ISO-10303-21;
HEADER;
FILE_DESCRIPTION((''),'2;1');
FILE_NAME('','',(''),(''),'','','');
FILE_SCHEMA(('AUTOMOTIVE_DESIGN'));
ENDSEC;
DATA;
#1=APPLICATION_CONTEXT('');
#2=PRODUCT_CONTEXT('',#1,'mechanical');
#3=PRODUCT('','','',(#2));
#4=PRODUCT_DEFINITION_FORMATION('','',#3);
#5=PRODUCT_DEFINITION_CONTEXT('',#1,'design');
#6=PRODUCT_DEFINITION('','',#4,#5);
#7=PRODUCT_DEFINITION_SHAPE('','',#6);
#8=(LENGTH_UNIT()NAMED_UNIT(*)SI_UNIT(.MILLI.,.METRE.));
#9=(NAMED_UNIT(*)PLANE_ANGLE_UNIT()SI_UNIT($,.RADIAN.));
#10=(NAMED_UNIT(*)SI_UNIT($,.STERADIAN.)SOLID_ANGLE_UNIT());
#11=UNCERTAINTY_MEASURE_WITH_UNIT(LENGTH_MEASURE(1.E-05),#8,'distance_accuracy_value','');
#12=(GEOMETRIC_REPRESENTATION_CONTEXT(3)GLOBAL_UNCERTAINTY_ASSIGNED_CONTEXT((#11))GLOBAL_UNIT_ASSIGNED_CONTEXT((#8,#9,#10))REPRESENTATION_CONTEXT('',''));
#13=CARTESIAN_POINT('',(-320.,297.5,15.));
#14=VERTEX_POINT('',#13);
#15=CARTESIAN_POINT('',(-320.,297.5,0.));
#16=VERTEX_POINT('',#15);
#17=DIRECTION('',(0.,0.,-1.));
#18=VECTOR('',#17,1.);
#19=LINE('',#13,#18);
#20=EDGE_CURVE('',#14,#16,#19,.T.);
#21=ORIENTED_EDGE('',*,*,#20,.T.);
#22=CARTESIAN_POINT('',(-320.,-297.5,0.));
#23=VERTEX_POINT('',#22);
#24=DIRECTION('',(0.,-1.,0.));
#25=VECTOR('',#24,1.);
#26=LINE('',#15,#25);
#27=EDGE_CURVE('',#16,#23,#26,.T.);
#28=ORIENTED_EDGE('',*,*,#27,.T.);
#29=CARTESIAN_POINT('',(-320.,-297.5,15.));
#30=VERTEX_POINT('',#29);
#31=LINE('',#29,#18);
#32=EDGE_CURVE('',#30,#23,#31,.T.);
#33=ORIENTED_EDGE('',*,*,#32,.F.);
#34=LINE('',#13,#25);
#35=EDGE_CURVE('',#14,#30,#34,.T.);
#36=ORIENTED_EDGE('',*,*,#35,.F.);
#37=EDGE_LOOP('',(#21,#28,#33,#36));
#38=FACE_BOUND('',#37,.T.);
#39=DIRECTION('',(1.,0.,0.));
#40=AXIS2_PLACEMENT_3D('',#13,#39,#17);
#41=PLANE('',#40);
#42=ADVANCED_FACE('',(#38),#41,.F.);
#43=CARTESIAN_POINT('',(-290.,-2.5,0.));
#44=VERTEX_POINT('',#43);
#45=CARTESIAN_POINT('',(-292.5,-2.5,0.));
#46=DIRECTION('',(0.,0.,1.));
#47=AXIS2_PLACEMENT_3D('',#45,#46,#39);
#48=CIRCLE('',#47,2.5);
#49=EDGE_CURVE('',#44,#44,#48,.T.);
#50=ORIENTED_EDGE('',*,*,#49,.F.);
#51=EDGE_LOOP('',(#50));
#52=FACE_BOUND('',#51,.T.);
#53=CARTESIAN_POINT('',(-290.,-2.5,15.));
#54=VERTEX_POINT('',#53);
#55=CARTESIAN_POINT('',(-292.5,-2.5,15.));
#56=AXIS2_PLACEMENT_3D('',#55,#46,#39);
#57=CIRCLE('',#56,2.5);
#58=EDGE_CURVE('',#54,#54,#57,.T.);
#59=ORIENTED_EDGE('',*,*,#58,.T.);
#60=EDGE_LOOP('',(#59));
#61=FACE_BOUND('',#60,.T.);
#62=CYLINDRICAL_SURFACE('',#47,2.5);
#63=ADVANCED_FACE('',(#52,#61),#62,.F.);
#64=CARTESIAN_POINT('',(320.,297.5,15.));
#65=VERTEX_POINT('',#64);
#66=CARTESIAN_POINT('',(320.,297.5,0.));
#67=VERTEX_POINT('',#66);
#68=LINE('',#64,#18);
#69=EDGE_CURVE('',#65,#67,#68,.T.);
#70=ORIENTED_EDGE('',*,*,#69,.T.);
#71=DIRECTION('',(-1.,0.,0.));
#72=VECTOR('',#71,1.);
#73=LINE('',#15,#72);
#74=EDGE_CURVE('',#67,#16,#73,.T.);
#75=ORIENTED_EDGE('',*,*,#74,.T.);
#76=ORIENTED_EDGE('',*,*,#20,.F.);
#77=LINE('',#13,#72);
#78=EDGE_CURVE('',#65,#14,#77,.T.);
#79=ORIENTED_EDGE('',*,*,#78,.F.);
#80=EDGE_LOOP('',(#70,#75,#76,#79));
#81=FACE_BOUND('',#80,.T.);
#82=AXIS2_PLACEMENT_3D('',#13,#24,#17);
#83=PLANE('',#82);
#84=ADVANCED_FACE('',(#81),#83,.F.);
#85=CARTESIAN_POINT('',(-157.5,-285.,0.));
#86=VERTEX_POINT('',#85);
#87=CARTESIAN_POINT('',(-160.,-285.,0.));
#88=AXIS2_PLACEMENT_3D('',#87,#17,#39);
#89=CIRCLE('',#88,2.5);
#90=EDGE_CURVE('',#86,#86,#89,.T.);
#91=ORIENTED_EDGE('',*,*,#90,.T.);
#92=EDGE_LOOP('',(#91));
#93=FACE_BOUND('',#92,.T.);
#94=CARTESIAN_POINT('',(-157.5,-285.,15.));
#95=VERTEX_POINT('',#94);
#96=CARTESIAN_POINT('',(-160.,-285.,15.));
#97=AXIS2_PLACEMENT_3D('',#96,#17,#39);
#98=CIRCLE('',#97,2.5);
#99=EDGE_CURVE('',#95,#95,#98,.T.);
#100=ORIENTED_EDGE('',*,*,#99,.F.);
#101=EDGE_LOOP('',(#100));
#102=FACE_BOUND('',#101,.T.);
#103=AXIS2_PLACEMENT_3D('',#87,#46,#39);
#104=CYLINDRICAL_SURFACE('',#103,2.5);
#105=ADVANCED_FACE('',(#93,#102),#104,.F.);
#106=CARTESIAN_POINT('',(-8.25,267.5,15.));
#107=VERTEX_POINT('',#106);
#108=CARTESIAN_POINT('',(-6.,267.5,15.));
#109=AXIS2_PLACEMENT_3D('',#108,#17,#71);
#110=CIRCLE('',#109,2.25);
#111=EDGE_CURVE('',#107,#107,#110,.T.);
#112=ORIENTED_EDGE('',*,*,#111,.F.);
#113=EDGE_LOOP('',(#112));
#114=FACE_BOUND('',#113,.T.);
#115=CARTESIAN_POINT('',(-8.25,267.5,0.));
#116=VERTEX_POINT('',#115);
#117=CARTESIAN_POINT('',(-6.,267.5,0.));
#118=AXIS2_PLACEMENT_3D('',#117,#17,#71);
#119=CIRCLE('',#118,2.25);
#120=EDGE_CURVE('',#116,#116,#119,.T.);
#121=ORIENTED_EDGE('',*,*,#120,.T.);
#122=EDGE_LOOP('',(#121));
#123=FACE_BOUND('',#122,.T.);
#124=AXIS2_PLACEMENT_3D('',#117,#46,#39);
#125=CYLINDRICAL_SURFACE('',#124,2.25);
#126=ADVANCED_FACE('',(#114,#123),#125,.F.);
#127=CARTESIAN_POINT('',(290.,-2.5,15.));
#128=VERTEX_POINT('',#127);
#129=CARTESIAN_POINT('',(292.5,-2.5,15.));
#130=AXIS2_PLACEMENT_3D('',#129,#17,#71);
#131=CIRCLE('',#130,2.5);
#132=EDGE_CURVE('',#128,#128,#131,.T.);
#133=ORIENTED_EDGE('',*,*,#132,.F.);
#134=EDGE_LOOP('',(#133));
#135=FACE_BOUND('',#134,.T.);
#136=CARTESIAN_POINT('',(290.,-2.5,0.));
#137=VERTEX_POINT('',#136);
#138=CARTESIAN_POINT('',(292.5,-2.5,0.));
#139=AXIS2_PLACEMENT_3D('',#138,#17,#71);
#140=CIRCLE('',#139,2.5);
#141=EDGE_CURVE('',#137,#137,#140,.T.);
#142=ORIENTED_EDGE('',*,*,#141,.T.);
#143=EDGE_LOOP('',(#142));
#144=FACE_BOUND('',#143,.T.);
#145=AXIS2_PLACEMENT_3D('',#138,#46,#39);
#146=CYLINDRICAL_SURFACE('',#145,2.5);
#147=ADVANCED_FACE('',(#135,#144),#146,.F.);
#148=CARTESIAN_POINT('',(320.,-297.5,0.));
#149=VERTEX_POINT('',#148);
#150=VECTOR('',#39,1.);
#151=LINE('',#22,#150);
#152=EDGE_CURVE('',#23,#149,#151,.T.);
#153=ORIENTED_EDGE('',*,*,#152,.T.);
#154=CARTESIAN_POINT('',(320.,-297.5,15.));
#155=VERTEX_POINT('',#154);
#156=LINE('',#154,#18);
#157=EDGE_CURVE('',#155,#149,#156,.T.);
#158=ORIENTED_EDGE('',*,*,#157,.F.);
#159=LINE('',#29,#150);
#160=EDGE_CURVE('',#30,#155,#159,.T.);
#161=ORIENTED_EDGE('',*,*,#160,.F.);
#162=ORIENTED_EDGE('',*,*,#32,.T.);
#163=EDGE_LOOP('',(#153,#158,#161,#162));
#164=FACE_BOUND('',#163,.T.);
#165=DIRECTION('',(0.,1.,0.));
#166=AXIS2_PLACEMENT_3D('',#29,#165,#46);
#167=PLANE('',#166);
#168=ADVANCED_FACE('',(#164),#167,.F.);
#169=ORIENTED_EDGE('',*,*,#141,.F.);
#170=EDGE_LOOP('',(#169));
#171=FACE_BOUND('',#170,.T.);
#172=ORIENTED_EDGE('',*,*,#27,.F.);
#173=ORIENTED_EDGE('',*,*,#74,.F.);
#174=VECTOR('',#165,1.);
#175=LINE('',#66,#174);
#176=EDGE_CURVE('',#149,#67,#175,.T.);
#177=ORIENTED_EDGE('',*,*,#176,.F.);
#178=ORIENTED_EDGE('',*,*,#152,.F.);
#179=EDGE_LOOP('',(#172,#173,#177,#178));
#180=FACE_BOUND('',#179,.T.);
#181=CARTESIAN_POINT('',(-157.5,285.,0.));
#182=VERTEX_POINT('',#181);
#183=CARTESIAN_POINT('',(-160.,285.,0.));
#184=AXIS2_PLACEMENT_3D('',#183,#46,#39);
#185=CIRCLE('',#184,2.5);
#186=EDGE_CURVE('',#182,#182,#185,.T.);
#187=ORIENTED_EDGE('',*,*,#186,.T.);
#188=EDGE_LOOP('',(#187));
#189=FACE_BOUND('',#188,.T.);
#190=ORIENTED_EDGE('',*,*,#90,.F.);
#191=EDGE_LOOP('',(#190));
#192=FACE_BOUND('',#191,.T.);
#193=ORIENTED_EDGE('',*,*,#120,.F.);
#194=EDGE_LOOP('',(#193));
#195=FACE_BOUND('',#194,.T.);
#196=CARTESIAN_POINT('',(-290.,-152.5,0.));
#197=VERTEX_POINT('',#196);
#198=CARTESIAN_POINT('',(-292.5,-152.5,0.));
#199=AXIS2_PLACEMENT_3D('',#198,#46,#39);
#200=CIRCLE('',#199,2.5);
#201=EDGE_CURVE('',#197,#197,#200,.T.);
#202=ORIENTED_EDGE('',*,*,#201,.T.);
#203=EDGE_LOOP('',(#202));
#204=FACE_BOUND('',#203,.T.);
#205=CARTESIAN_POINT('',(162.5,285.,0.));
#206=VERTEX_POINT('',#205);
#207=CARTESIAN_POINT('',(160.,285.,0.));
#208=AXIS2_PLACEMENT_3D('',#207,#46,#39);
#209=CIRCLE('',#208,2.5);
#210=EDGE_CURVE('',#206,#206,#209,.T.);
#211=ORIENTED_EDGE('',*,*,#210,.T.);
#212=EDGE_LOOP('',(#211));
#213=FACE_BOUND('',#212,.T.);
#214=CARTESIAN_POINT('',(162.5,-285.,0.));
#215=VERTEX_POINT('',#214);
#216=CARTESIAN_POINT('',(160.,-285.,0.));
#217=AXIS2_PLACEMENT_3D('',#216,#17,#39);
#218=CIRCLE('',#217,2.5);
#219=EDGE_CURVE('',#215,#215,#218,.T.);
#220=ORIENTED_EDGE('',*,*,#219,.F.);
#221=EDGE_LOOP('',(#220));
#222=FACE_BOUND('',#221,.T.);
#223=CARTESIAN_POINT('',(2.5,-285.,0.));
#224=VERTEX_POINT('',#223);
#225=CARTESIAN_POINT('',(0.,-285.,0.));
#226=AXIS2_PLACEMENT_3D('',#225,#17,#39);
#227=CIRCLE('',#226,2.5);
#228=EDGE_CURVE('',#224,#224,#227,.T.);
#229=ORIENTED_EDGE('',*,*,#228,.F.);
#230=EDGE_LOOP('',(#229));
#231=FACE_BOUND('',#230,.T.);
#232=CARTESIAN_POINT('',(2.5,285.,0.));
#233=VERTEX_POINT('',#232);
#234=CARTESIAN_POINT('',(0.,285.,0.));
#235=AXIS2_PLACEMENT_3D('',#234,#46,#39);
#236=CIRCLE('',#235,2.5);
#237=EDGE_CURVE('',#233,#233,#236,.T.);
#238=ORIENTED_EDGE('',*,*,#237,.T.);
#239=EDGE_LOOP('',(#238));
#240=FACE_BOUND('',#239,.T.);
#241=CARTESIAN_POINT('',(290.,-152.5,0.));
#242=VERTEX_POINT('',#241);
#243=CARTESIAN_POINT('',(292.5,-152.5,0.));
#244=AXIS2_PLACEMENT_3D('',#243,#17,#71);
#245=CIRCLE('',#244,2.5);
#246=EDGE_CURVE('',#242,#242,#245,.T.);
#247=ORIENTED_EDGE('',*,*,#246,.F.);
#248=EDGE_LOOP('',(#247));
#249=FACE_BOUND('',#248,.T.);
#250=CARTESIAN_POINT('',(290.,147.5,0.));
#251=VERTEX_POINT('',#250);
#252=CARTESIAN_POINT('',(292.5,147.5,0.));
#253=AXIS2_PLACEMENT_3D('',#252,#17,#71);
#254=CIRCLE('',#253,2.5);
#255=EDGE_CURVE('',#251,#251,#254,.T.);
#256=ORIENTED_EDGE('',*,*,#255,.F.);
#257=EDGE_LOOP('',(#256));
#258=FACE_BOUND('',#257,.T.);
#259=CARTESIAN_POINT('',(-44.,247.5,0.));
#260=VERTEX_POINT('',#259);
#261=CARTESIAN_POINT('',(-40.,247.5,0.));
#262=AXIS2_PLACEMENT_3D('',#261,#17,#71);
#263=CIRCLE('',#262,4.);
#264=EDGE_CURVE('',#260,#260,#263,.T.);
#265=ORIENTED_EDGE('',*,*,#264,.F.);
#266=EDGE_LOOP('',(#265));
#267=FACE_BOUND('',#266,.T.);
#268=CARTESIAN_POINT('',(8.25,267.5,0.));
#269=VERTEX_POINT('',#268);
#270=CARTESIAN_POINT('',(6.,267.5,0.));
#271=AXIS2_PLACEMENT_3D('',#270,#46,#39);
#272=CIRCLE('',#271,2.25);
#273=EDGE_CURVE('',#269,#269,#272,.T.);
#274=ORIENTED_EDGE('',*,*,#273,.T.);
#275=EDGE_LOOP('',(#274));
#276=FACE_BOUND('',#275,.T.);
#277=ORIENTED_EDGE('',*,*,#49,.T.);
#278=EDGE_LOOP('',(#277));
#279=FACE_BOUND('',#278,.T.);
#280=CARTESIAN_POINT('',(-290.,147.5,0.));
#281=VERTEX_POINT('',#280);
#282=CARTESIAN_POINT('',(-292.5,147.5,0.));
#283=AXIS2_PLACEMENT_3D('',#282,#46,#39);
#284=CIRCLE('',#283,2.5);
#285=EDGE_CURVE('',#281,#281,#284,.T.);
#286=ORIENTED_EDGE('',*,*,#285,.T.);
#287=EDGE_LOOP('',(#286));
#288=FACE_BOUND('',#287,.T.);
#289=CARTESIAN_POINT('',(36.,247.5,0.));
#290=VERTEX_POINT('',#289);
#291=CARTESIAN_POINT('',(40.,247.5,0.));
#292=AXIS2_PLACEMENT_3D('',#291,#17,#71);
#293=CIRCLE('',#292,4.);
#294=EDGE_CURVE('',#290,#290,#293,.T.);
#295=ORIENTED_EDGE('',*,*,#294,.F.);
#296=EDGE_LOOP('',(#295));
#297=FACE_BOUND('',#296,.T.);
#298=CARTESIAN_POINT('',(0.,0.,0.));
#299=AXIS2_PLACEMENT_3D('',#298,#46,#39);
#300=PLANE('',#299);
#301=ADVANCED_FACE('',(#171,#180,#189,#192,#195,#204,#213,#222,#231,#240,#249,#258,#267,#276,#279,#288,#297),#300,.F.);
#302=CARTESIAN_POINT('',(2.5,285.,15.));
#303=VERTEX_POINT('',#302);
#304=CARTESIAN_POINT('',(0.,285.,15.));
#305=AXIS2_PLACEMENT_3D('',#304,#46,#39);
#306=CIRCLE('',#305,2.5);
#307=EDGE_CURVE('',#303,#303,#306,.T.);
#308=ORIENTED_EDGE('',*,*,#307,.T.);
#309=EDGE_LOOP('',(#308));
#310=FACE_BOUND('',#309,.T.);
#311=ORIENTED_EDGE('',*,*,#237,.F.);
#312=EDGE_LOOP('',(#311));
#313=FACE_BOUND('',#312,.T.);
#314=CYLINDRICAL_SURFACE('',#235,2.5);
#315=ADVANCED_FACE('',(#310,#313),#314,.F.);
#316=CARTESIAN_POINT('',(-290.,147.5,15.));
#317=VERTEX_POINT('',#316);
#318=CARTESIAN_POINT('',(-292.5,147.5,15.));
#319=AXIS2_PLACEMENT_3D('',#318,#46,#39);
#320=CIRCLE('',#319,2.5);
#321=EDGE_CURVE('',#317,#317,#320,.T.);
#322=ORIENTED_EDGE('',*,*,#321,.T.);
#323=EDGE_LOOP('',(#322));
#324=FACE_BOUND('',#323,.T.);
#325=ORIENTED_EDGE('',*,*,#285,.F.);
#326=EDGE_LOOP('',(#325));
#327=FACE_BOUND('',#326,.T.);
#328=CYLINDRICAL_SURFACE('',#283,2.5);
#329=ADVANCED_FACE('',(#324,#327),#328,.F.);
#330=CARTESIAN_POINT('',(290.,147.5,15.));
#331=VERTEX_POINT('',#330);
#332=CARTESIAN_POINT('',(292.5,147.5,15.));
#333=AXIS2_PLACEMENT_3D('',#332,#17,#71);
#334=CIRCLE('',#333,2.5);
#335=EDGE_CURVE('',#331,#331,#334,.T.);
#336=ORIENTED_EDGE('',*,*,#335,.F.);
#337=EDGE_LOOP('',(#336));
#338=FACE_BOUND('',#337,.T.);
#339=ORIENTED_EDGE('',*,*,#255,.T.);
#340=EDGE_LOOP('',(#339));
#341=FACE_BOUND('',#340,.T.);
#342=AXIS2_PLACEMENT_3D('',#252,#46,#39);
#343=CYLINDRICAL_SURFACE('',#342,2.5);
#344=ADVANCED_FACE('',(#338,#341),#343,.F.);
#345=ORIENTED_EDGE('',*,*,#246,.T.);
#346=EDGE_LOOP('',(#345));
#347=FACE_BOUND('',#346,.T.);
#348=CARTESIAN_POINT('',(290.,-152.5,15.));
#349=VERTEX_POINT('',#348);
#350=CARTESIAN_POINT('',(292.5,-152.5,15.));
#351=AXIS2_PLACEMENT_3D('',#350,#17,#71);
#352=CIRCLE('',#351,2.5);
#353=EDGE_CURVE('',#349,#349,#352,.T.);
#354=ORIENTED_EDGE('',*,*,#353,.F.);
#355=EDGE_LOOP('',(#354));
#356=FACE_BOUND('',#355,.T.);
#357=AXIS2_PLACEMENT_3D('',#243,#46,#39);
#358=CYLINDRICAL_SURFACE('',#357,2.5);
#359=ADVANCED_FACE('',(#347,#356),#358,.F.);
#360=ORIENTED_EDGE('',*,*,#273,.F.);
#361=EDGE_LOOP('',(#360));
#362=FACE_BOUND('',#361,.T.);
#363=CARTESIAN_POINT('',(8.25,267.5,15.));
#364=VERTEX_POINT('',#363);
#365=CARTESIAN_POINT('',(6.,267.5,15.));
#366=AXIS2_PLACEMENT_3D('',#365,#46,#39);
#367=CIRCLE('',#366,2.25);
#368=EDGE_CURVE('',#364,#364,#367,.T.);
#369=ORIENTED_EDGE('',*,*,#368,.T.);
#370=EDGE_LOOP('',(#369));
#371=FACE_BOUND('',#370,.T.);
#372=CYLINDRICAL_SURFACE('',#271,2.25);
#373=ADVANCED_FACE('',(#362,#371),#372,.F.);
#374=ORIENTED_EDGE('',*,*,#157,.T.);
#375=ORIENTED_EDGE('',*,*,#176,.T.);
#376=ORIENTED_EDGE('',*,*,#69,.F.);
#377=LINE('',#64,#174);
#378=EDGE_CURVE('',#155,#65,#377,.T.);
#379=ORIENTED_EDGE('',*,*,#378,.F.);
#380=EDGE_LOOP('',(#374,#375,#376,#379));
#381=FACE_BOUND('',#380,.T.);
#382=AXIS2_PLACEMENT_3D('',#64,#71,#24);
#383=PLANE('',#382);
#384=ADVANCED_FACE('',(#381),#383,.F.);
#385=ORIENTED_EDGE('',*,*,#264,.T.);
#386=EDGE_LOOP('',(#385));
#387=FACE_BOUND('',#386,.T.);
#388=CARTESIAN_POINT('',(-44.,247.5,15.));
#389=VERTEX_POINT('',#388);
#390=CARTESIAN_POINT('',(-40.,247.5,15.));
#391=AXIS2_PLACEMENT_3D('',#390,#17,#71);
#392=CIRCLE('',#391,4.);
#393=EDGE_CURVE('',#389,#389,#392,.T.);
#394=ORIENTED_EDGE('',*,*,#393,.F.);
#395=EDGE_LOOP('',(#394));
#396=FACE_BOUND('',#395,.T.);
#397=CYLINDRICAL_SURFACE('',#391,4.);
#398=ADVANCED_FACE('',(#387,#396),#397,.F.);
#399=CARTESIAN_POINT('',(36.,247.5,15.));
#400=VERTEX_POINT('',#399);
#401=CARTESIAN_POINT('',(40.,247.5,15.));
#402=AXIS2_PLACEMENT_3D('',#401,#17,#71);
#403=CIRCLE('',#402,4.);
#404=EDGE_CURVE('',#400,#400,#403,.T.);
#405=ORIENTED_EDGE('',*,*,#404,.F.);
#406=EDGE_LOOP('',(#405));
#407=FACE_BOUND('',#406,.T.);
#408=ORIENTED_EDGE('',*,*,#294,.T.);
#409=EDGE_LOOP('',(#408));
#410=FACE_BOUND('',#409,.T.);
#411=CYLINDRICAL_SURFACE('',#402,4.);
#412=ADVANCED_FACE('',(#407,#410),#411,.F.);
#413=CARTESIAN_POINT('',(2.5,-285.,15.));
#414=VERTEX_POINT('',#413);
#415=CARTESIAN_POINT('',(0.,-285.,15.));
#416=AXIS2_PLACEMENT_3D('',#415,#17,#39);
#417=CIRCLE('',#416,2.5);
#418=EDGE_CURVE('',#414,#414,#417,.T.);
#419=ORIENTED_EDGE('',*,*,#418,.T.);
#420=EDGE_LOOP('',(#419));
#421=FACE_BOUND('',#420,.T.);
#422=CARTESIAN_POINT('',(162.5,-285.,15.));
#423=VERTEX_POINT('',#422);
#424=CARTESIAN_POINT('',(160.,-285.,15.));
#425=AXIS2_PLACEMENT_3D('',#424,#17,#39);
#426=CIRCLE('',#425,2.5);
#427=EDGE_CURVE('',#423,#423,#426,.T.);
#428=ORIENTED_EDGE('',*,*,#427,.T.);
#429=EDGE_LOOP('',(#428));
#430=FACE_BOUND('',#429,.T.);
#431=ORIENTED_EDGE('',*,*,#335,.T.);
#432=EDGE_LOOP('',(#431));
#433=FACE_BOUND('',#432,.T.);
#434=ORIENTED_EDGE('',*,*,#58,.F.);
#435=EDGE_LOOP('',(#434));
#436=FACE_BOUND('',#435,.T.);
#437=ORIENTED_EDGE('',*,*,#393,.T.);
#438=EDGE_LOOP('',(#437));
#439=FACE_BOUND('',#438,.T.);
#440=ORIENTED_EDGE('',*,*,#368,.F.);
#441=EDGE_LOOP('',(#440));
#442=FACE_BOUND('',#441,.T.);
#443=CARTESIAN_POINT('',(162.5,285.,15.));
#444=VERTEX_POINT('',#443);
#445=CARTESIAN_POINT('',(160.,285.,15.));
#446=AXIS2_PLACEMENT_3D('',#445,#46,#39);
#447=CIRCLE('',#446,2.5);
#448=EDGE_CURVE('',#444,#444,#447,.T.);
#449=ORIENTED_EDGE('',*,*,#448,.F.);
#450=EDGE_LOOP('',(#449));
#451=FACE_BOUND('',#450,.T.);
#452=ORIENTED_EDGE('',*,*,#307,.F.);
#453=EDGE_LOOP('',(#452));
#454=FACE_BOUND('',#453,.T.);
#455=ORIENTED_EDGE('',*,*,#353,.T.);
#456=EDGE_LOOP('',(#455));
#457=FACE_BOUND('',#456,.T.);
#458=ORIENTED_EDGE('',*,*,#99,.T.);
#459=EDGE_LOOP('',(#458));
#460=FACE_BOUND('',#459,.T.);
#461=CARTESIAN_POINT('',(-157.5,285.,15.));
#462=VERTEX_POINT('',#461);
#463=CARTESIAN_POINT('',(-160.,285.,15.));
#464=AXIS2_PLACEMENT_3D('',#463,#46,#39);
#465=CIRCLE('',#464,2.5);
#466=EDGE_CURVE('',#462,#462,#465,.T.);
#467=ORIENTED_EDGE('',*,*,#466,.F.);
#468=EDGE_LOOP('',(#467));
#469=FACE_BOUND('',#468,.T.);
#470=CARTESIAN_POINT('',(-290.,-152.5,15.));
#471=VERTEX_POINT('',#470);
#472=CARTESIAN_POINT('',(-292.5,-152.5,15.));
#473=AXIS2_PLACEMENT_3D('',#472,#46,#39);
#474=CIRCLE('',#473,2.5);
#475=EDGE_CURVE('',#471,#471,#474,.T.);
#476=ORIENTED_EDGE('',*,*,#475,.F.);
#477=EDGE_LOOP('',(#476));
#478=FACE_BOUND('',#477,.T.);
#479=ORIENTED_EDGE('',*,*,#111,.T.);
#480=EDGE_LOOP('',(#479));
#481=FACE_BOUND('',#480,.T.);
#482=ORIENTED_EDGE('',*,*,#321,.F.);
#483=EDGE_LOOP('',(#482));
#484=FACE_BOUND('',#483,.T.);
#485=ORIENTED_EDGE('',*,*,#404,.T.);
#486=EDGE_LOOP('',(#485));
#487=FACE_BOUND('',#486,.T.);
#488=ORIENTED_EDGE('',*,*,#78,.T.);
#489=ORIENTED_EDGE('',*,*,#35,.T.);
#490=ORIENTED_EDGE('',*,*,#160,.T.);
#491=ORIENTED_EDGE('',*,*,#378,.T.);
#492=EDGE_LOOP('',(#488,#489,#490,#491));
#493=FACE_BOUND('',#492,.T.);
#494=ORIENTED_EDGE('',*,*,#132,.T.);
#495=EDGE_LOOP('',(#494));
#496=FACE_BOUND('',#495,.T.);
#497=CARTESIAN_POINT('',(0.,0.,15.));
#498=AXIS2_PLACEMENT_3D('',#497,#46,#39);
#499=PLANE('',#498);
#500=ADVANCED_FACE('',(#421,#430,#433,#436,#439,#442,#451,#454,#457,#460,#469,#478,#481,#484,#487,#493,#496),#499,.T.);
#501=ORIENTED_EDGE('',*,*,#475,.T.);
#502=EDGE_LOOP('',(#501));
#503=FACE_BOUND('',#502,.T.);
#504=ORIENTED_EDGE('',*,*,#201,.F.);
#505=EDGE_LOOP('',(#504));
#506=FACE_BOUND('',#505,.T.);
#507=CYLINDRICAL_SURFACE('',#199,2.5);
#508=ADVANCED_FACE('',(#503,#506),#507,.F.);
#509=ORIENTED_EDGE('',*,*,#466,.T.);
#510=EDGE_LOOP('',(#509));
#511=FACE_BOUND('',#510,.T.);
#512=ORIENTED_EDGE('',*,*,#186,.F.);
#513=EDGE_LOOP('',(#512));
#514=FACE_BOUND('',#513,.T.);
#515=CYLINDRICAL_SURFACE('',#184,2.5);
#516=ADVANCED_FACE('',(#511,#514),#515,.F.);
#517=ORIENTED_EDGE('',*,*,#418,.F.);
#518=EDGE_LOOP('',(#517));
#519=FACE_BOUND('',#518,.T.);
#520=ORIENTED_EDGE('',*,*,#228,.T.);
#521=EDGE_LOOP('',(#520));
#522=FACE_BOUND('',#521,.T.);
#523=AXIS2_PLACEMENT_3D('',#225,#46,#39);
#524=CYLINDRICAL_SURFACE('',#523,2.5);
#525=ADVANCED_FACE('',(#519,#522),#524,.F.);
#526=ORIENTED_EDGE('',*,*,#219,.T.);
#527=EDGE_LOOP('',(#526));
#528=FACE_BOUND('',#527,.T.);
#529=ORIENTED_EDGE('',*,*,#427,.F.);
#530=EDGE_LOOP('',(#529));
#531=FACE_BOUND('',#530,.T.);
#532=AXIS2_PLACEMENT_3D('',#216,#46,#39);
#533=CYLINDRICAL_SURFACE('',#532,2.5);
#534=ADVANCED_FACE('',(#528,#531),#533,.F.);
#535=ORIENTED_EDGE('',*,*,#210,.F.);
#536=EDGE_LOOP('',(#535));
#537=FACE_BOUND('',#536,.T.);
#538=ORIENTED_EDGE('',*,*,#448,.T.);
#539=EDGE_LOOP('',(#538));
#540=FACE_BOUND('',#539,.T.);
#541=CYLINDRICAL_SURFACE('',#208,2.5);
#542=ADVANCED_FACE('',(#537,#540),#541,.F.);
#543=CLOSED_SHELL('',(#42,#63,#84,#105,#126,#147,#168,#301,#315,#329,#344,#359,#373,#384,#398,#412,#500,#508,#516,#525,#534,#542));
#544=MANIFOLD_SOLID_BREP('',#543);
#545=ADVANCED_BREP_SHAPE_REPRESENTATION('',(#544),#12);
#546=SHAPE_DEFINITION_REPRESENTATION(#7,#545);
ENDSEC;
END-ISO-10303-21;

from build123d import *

# Parameters (mm, degrees)
SKETCH_1_W          = 640
SKETCH_1_H          = 595
EXTRUDE_1_DEPTH     = 15
SKETCH_2_R          = 2.5
CUT_EXTRUDE_1_DEPTH = 438.185601318
SKETCH_2_3_R        = 2.5
CUT_EXTRUDE_2_DEPTH = 438.185601318
SKETCH_3_R          = 4
CUT_EXTRUDE_3_DEPTH = 438.185601318
SKETCH_4_R          = 2.25
CUT_EXTRUDE_4_DEPTH = 438.185601318


with BuildPart() as part:
    # ｽｹｯﾁ1 → ﾎﾞｽ - 押し出し1 (new body)
    with BuildSketch(Plane.XY):
        Rectangle(SKETCH_1_W, SKETCH_1_H)
    extrude(amount=EXTRUDE_1_DEPTH)

    # ｽｹｯﾁ2 → ｶｯﾄ - 押し出し1 (cut, through all)
    with BuildSketch(Plane.XY.offset(15)):
        with Locations((-160, 285)):
            Circle(SKETCH_2_R)
        with Locations((0, 285)):
            Circle(SKETCH_2_R)
        with Locations((160, 285)):
            Circle(SKETCH_2_R)
    cut_extrude_1 = extrude(amount=-CUT_EXTRUDE_1_DEPTH, mode=Mode.SUBTRACT)

    # ｽｹｯﾁ2<3> → ｶｯﾄ - 押し出し2 (cut, through all)
    with BuildSketch(Plane.XY.offset(15)):
        with Locations((-292.5, 147.5)):
            Circle(SKETCH_2_3_R)
        with Locations((-292.5, -2.5)):
            Circle(SKETCH_2_3_R)
        with Locations((-292.5, -152.5)):
            Circle(SKETCH_2_3_R)
    cut_extrude_2 = extrude(amount=-CUT_EXTRUDE_2_DEPTH, mode=Mode.SUBTRACT)

    # ﾐﾗｰ1: ｶｯﾄ - 押し出し1 across plane
    add(cut_extrude_1.mirror(Plane.ZX), mode=Mode.SUBTRACT)

    # ﾐﾗｰ2: ｶｯﾄ - 押し出し2 across plane
    add(cut_extrude_2.mirror(Plane(origin=(0, 0, 0), x_dir=(0, 0, 1), z_dir=(1, 0, 0))), mode=Mode.SUBTRACT)

    # ｽｹｯﾁ3 → ｶｯﾄ - 押し出し3 (cut, through all)
    with BuildSketch(Plane(origin=(0, 0, 0), x_dir=(-1, 0, 0), z_dir=(0, 0, -1))):
        with Locations((-40, 247.5)):
            Circle(SKETCH_3_R)
        with Locations((40, 247.5)):
            Circle(SKETCH_3_R)
    extrude(amount=-CUT_EXTRUDE_3_DEPTH, mode=Mode.SUBTRACT)

    # ｽｹｯﾁ4 → ｶｯﾄ - 押し出し4 (cut, through all)
    with BuildSketch(Plane.XY.offset(15)):
        with Locations((6, 267.5)):
            Circle(SKETCH_4_R)
    cut_extrude_4 = extrude(amount=-CUT_EXTRUDE_4_DEPTH, mode=Mode.SUBTRACT)

    # ﾐﾗｰ3: ｶｯﾄ - 押し出し4 across plane
    add(cut_extrude_4.mirror(Plane(origin=(0, 0, 0), x_dir=(0, 0, 1), z_dir=(1, 0, 0))), mode=Mode.SUBTRACT)


solid = part.part
